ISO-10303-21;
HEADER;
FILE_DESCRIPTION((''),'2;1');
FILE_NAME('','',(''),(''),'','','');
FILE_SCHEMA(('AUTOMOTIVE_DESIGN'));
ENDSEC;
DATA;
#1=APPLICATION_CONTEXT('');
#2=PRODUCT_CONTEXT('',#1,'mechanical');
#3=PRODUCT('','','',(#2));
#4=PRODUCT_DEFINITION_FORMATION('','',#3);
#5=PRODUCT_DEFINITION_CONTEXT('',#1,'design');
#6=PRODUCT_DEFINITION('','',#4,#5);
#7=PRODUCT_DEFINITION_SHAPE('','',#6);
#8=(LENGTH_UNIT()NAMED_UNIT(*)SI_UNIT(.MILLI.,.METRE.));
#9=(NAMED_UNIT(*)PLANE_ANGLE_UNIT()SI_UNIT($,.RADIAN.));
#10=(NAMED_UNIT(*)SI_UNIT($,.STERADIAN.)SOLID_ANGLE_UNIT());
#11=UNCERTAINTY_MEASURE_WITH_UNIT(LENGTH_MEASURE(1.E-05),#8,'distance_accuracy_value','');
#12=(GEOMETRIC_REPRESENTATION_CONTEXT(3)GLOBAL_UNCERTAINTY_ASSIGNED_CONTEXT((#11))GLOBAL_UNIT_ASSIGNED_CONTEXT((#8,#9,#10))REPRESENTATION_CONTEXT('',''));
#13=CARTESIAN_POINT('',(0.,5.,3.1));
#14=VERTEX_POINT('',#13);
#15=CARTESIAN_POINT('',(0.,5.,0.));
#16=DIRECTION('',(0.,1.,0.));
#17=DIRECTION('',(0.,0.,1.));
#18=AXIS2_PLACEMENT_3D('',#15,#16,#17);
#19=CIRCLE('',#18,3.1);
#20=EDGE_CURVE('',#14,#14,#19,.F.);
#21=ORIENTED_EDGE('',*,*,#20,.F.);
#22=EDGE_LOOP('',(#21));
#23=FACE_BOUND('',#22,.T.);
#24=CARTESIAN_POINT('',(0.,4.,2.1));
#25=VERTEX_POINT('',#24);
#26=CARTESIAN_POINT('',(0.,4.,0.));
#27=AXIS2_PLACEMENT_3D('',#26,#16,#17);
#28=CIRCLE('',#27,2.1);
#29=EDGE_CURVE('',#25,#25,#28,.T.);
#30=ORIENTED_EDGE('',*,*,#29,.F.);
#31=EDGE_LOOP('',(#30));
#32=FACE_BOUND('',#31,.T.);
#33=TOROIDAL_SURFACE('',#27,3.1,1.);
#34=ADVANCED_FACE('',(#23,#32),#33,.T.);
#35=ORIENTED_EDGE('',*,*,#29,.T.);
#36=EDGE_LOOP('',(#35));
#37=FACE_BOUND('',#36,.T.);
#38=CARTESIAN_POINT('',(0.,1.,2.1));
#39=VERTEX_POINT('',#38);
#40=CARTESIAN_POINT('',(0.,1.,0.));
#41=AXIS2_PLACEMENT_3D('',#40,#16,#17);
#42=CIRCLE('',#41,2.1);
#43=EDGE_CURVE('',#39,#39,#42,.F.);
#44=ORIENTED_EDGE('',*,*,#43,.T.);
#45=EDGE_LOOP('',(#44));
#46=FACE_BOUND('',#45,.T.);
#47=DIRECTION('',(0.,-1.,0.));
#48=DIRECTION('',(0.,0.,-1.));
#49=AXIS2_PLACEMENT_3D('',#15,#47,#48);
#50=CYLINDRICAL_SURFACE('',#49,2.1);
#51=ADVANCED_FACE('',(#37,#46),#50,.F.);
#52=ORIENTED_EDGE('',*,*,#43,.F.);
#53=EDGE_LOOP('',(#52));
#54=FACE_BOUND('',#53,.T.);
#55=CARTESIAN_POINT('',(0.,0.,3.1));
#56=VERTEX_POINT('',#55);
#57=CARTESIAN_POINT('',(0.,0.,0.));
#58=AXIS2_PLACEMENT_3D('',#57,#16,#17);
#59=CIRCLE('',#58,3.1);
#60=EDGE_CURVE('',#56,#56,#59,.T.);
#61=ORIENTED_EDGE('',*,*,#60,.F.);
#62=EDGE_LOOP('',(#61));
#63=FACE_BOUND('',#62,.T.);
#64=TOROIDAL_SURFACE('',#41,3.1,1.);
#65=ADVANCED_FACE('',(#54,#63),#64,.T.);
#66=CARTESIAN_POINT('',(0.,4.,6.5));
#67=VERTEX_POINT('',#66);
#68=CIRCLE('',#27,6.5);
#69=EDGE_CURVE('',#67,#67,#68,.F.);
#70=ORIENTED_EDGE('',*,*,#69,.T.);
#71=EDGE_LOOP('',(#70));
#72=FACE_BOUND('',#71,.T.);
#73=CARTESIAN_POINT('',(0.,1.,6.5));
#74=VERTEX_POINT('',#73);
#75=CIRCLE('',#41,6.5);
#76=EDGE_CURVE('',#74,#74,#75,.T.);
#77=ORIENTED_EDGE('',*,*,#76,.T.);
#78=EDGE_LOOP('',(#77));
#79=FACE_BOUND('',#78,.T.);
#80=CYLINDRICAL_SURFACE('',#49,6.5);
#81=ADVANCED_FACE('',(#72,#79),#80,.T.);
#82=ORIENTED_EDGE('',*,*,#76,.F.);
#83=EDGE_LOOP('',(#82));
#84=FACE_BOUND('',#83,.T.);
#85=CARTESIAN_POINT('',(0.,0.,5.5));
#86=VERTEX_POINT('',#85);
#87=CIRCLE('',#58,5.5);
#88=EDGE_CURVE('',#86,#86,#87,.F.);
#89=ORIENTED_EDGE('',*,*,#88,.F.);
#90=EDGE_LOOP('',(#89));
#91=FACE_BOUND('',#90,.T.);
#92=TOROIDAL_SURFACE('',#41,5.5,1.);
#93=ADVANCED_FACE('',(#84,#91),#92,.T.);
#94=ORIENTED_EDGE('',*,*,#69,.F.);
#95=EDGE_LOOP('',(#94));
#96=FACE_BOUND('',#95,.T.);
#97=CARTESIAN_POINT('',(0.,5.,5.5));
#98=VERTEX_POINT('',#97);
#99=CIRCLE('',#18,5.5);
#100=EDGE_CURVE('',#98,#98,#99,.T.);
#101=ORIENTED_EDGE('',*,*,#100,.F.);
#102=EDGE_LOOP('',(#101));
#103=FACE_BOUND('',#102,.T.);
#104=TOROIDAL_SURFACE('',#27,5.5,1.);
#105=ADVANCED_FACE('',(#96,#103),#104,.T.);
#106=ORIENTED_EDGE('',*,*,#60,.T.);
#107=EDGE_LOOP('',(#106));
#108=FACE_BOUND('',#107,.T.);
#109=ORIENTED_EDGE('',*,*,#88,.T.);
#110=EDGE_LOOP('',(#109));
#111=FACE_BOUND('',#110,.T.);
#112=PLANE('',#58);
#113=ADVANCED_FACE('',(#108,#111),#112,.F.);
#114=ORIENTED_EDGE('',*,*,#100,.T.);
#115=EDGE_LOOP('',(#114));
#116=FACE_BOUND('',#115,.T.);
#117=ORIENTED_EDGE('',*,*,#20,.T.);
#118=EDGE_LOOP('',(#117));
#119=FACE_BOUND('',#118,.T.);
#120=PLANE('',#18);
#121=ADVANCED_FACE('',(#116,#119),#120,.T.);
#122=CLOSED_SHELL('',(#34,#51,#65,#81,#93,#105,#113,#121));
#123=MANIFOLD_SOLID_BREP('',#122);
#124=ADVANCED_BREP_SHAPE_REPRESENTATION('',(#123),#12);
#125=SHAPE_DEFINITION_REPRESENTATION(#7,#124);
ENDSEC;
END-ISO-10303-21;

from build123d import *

# Parameters (mm, degrees)
SKETCH1_R           = 6.5
SKETCH1_R_2         = 2.1
BOSS_EXTRUDE1_DEPTH = 5
FILLET1_R           = 1


with BuildPart() as part:
    # Sketch1 → Boss-Extrude1 (new body)
    with BuildSketch(Plane(origin=(0, 0, 0), x_dir=(1, 0, 0), z_dir=(0, 1, 0))):
        Circle(SKETCH1_R)
        Circle(SKETCH1_R_2, mode=Mode.SUBTRACT)
    extrude(amount=BOSS_EXTRUDE1_DEPTH)

    # Fillet1
    fillet1_edges = [part.edges().sort_by_distance(p)[0] for p in [
        (-6.5, 0, 0),
        (-6.5, 5, 0),
        (-2.1, 0, 0),
        (-2.1, 5, 0),
    ]]
    fillet(fillet1_edges, radius=FILLET1_R)


solid = part.part
